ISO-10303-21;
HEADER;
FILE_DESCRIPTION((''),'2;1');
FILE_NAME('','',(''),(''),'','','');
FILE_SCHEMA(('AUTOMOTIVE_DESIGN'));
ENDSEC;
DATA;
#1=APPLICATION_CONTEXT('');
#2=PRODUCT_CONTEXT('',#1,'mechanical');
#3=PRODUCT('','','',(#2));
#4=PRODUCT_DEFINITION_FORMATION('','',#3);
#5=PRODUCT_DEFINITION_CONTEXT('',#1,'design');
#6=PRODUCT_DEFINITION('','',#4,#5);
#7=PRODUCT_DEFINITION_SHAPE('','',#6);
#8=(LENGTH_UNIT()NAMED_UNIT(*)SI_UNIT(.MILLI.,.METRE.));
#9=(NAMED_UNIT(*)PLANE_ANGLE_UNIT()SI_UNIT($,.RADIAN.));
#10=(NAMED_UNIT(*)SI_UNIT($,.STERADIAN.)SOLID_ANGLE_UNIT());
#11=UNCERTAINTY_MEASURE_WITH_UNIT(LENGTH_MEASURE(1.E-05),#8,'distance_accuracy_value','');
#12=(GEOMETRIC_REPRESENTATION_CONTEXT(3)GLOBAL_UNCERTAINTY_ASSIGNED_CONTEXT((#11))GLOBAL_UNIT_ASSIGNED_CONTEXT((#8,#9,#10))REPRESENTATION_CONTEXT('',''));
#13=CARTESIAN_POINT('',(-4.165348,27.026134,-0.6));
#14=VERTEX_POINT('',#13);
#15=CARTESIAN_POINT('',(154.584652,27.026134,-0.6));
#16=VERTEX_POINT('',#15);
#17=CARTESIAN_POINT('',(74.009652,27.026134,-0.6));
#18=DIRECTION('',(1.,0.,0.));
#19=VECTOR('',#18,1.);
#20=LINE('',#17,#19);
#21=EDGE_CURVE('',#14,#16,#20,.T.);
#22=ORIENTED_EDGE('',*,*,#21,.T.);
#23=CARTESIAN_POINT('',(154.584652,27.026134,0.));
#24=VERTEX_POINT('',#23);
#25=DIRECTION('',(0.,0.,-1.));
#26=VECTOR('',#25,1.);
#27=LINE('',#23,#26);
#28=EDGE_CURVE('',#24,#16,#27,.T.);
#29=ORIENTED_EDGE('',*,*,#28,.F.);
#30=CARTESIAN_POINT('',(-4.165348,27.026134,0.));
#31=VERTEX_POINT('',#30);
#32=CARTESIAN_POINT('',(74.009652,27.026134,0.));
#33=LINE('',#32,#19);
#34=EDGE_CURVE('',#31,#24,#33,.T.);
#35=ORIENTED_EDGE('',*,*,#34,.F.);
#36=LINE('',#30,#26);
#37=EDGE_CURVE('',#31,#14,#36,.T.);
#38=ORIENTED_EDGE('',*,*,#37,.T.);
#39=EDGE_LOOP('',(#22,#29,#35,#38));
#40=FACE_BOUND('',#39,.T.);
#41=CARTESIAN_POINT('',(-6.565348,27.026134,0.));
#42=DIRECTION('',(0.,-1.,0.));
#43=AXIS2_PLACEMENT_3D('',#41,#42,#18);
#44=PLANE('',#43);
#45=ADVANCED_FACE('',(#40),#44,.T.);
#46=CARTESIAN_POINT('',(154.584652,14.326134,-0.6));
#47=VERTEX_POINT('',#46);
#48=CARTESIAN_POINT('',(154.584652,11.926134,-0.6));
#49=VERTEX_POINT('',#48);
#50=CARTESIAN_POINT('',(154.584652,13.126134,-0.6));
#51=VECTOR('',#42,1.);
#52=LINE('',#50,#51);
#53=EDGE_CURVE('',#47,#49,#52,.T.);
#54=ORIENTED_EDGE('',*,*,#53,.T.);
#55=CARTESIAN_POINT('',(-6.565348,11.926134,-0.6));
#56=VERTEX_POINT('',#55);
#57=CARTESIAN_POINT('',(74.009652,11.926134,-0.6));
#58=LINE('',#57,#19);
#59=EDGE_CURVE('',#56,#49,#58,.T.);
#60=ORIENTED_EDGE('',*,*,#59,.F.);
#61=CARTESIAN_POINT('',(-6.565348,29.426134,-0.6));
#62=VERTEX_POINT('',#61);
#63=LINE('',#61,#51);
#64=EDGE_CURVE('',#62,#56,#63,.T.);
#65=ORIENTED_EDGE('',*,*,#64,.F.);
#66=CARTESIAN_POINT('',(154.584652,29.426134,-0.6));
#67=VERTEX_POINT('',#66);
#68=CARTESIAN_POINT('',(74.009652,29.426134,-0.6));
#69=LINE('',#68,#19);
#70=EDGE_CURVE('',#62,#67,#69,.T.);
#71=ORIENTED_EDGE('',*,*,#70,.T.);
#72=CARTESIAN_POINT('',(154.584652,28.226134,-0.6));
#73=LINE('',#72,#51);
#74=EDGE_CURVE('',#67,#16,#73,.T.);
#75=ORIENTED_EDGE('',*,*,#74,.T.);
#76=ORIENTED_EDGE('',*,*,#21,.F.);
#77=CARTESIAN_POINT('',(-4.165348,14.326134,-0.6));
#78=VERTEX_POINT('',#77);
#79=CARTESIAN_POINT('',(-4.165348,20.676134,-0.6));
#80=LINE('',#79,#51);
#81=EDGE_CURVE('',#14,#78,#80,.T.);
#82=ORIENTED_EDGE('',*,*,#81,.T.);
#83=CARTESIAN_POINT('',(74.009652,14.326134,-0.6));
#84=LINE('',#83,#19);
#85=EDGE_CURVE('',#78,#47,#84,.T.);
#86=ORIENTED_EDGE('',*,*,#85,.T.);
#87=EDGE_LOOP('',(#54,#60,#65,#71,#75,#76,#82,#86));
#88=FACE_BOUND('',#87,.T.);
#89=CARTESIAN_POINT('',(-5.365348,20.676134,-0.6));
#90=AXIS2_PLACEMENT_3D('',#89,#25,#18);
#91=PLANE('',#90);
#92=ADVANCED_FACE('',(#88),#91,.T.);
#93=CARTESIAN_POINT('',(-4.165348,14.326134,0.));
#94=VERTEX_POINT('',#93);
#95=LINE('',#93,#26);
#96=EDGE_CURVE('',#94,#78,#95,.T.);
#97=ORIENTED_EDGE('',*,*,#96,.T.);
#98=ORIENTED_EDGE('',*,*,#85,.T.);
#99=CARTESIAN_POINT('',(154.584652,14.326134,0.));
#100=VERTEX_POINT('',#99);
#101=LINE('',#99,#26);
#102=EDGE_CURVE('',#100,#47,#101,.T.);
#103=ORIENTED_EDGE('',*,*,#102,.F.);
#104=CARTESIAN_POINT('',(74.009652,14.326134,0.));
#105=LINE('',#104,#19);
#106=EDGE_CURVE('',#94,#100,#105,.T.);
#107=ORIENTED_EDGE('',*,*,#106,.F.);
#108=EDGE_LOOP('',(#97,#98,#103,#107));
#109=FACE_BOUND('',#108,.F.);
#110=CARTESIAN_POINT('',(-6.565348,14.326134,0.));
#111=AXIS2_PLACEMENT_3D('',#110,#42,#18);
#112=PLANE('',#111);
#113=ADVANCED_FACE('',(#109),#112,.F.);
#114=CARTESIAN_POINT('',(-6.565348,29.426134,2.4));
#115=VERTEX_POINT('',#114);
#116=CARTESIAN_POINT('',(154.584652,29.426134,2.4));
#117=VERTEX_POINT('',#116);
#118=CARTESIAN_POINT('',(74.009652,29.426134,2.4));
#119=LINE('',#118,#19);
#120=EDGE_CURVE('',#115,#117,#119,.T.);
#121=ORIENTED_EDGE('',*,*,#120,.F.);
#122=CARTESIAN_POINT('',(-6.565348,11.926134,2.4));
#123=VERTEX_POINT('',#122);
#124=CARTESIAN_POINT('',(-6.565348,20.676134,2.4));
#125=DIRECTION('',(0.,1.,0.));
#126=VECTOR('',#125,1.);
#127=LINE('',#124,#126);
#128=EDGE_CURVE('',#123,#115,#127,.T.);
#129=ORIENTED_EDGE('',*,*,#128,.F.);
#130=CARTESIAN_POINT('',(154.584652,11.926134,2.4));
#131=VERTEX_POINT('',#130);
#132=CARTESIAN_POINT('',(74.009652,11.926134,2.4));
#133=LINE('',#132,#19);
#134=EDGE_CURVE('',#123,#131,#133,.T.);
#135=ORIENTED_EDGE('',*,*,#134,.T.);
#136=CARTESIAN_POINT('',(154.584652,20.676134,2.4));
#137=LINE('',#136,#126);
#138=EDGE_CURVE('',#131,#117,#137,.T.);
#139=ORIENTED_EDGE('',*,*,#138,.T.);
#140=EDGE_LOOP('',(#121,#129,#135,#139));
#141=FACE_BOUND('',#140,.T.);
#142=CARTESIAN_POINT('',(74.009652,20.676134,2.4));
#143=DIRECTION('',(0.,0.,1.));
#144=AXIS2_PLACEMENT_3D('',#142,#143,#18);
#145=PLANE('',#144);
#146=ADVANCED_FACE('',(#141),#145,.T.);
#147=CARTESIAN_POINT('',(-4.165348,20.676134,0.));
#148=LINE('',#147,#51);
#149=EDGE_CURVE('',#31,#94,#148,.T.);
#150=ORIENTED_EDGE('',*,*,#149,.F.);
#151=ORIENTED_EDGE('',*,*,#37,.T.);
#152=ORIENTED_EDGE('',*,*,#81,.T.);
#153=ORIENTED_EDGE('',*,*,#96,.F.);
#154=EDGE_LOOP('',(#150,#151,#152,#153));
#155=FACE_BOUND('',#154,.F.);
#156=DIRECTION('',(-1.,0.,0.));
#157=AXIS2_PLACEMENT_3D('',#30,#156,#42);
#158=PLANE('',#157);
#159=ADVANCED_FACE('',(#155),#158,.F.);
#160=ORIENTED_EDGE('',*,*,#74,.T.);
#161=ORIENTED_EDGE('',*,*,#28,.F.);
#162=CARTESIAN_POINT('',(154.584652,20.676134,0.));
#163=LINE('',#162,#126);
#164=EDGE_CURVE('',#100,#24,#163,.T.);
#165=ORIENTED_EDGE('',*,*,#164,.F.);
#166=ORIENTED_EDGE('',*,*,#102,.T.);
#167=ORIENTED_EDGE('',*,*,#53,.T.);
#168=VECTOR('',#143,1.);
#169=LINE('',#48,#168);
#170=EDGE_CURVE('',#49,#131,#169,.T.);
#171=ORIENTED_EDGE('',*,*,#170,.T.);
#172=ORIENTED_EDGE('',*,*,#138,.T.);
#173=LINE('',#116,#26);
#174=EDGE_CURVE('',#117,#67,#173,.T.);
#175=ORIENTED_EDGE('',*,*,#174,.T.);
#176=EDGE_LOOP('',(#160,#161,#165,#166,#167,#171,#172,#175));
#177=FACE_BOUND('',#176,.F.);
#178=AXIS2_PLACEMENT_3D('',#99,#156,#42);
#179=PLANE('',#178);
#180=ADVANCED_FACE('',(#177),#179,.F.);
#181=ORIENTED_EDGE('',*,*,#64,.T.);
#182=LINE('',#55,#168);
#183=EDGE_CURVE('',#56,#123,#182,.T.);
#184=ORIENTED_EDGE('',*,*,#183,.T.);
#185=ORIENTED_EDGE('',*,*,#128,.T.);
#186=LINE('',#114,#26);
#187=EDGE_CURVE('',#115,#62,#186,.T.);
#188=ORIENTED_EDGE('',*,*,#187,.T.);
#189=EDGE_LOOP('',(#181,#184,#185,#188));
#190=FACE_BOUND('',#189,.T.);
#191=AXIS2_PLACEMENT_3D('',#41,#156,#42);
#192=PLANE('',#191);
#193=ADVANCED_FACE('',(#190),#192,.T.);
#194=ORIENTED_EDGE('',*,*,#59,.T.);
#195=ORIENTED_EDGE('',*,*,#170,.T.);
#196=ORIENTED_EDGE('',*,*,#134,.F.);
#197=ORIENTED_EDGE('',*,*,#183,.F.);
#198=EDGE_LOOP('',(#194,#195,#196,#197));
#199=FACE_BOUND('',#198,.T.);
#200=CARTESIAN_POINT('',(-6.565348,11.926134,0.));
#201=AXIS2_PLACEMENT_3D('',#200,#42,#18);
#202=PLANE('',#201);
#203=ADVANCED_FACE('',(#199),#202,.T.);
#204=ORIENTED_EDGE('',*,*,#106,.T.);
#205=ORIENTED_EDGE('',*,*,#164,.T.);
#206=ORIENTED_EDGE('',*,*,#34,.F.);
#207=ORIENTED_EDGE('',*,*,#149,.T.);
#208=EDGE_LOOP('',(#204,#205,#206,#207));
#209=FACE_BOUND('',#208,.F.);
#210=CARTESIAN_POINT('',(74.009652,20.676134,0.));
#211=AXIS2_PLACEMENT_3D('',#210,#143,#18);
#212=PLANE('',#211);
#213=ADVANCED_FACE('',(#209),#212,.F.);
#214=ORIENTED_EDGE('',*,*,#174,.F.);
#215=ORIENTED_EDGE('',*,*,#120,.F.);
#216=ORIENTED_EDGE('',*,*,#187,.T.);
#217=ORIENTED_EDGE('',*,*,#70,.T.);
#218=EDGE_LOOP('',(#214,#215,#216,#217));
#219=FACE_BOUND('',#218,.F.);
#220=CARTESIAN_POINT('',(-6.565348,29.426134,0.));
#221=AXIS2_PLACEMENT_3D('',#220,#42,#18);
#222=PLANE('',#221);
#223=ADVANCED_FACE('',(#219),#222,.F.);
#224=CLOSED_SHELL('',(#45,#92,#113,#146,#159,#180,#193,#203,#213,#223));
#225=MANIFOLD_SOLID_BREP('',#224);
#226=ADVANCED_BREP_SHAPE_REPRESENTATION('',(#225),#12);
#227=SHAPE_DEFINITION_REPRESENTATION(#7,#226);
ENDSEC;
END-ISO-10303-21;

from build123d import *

# Parameters (mm, degrees)
F0_W     = 161.15
F0_H     = 17.5
F1_DEPTH = 2.4
F2_W     = 161.15
F2_H     = 2.4
F3_DEPTH = 0.6
F4_W     = 161.15
F4_H     = 2.4
F5_DEPTH = 0.6
F6_W     = 2.4
F6_H     = 12.7
F7_DEPTH = 0.6


with BuildPart() as f1:
    # F0 (on Top) → F1 (new body)
    with BuildSketch(Plane.XY):
        with Locations((74.009652, 20.676134)):
            Rectangle(F0_W, F0_H)
    extrude(amount=F1_DEPTH)

    # F2 (on face) → F3 (join)
    with BuildSketch(Plane(origin=(0, 0, 0), x_dir=(1, 0, 0), z_dir=(0, 0, -1))):
        with Locations((74.009652, -28.226134)):
            Rectangle(F2_W, F2_H)
    extrude(amount=F3_DEPTH)

    # F4 (on face) → F5 (join)
    with BuildSketch(Plane(origin=(0, 0, 0), x_dir=(1, 0, 0), z_dir=(0, 0, -1))):
        with Locations((74.009652, -13.126134)):
            Rectangle(F4_W, F4_H)
    extrude(amount=F5_DEPTH)

    # F6 (on face) → F7 (join)
    with BuildSketch(Plane(origin=(0, 0, 0), x_dir=(1, 0, 0), z_dir=(0, 0, -1))):
        with Locations((-5.365348, -20.676134)):
            Rectangle(F6_W, F6_H)
    extrude(amount=F7_DEPTH)


solid = f1.part
